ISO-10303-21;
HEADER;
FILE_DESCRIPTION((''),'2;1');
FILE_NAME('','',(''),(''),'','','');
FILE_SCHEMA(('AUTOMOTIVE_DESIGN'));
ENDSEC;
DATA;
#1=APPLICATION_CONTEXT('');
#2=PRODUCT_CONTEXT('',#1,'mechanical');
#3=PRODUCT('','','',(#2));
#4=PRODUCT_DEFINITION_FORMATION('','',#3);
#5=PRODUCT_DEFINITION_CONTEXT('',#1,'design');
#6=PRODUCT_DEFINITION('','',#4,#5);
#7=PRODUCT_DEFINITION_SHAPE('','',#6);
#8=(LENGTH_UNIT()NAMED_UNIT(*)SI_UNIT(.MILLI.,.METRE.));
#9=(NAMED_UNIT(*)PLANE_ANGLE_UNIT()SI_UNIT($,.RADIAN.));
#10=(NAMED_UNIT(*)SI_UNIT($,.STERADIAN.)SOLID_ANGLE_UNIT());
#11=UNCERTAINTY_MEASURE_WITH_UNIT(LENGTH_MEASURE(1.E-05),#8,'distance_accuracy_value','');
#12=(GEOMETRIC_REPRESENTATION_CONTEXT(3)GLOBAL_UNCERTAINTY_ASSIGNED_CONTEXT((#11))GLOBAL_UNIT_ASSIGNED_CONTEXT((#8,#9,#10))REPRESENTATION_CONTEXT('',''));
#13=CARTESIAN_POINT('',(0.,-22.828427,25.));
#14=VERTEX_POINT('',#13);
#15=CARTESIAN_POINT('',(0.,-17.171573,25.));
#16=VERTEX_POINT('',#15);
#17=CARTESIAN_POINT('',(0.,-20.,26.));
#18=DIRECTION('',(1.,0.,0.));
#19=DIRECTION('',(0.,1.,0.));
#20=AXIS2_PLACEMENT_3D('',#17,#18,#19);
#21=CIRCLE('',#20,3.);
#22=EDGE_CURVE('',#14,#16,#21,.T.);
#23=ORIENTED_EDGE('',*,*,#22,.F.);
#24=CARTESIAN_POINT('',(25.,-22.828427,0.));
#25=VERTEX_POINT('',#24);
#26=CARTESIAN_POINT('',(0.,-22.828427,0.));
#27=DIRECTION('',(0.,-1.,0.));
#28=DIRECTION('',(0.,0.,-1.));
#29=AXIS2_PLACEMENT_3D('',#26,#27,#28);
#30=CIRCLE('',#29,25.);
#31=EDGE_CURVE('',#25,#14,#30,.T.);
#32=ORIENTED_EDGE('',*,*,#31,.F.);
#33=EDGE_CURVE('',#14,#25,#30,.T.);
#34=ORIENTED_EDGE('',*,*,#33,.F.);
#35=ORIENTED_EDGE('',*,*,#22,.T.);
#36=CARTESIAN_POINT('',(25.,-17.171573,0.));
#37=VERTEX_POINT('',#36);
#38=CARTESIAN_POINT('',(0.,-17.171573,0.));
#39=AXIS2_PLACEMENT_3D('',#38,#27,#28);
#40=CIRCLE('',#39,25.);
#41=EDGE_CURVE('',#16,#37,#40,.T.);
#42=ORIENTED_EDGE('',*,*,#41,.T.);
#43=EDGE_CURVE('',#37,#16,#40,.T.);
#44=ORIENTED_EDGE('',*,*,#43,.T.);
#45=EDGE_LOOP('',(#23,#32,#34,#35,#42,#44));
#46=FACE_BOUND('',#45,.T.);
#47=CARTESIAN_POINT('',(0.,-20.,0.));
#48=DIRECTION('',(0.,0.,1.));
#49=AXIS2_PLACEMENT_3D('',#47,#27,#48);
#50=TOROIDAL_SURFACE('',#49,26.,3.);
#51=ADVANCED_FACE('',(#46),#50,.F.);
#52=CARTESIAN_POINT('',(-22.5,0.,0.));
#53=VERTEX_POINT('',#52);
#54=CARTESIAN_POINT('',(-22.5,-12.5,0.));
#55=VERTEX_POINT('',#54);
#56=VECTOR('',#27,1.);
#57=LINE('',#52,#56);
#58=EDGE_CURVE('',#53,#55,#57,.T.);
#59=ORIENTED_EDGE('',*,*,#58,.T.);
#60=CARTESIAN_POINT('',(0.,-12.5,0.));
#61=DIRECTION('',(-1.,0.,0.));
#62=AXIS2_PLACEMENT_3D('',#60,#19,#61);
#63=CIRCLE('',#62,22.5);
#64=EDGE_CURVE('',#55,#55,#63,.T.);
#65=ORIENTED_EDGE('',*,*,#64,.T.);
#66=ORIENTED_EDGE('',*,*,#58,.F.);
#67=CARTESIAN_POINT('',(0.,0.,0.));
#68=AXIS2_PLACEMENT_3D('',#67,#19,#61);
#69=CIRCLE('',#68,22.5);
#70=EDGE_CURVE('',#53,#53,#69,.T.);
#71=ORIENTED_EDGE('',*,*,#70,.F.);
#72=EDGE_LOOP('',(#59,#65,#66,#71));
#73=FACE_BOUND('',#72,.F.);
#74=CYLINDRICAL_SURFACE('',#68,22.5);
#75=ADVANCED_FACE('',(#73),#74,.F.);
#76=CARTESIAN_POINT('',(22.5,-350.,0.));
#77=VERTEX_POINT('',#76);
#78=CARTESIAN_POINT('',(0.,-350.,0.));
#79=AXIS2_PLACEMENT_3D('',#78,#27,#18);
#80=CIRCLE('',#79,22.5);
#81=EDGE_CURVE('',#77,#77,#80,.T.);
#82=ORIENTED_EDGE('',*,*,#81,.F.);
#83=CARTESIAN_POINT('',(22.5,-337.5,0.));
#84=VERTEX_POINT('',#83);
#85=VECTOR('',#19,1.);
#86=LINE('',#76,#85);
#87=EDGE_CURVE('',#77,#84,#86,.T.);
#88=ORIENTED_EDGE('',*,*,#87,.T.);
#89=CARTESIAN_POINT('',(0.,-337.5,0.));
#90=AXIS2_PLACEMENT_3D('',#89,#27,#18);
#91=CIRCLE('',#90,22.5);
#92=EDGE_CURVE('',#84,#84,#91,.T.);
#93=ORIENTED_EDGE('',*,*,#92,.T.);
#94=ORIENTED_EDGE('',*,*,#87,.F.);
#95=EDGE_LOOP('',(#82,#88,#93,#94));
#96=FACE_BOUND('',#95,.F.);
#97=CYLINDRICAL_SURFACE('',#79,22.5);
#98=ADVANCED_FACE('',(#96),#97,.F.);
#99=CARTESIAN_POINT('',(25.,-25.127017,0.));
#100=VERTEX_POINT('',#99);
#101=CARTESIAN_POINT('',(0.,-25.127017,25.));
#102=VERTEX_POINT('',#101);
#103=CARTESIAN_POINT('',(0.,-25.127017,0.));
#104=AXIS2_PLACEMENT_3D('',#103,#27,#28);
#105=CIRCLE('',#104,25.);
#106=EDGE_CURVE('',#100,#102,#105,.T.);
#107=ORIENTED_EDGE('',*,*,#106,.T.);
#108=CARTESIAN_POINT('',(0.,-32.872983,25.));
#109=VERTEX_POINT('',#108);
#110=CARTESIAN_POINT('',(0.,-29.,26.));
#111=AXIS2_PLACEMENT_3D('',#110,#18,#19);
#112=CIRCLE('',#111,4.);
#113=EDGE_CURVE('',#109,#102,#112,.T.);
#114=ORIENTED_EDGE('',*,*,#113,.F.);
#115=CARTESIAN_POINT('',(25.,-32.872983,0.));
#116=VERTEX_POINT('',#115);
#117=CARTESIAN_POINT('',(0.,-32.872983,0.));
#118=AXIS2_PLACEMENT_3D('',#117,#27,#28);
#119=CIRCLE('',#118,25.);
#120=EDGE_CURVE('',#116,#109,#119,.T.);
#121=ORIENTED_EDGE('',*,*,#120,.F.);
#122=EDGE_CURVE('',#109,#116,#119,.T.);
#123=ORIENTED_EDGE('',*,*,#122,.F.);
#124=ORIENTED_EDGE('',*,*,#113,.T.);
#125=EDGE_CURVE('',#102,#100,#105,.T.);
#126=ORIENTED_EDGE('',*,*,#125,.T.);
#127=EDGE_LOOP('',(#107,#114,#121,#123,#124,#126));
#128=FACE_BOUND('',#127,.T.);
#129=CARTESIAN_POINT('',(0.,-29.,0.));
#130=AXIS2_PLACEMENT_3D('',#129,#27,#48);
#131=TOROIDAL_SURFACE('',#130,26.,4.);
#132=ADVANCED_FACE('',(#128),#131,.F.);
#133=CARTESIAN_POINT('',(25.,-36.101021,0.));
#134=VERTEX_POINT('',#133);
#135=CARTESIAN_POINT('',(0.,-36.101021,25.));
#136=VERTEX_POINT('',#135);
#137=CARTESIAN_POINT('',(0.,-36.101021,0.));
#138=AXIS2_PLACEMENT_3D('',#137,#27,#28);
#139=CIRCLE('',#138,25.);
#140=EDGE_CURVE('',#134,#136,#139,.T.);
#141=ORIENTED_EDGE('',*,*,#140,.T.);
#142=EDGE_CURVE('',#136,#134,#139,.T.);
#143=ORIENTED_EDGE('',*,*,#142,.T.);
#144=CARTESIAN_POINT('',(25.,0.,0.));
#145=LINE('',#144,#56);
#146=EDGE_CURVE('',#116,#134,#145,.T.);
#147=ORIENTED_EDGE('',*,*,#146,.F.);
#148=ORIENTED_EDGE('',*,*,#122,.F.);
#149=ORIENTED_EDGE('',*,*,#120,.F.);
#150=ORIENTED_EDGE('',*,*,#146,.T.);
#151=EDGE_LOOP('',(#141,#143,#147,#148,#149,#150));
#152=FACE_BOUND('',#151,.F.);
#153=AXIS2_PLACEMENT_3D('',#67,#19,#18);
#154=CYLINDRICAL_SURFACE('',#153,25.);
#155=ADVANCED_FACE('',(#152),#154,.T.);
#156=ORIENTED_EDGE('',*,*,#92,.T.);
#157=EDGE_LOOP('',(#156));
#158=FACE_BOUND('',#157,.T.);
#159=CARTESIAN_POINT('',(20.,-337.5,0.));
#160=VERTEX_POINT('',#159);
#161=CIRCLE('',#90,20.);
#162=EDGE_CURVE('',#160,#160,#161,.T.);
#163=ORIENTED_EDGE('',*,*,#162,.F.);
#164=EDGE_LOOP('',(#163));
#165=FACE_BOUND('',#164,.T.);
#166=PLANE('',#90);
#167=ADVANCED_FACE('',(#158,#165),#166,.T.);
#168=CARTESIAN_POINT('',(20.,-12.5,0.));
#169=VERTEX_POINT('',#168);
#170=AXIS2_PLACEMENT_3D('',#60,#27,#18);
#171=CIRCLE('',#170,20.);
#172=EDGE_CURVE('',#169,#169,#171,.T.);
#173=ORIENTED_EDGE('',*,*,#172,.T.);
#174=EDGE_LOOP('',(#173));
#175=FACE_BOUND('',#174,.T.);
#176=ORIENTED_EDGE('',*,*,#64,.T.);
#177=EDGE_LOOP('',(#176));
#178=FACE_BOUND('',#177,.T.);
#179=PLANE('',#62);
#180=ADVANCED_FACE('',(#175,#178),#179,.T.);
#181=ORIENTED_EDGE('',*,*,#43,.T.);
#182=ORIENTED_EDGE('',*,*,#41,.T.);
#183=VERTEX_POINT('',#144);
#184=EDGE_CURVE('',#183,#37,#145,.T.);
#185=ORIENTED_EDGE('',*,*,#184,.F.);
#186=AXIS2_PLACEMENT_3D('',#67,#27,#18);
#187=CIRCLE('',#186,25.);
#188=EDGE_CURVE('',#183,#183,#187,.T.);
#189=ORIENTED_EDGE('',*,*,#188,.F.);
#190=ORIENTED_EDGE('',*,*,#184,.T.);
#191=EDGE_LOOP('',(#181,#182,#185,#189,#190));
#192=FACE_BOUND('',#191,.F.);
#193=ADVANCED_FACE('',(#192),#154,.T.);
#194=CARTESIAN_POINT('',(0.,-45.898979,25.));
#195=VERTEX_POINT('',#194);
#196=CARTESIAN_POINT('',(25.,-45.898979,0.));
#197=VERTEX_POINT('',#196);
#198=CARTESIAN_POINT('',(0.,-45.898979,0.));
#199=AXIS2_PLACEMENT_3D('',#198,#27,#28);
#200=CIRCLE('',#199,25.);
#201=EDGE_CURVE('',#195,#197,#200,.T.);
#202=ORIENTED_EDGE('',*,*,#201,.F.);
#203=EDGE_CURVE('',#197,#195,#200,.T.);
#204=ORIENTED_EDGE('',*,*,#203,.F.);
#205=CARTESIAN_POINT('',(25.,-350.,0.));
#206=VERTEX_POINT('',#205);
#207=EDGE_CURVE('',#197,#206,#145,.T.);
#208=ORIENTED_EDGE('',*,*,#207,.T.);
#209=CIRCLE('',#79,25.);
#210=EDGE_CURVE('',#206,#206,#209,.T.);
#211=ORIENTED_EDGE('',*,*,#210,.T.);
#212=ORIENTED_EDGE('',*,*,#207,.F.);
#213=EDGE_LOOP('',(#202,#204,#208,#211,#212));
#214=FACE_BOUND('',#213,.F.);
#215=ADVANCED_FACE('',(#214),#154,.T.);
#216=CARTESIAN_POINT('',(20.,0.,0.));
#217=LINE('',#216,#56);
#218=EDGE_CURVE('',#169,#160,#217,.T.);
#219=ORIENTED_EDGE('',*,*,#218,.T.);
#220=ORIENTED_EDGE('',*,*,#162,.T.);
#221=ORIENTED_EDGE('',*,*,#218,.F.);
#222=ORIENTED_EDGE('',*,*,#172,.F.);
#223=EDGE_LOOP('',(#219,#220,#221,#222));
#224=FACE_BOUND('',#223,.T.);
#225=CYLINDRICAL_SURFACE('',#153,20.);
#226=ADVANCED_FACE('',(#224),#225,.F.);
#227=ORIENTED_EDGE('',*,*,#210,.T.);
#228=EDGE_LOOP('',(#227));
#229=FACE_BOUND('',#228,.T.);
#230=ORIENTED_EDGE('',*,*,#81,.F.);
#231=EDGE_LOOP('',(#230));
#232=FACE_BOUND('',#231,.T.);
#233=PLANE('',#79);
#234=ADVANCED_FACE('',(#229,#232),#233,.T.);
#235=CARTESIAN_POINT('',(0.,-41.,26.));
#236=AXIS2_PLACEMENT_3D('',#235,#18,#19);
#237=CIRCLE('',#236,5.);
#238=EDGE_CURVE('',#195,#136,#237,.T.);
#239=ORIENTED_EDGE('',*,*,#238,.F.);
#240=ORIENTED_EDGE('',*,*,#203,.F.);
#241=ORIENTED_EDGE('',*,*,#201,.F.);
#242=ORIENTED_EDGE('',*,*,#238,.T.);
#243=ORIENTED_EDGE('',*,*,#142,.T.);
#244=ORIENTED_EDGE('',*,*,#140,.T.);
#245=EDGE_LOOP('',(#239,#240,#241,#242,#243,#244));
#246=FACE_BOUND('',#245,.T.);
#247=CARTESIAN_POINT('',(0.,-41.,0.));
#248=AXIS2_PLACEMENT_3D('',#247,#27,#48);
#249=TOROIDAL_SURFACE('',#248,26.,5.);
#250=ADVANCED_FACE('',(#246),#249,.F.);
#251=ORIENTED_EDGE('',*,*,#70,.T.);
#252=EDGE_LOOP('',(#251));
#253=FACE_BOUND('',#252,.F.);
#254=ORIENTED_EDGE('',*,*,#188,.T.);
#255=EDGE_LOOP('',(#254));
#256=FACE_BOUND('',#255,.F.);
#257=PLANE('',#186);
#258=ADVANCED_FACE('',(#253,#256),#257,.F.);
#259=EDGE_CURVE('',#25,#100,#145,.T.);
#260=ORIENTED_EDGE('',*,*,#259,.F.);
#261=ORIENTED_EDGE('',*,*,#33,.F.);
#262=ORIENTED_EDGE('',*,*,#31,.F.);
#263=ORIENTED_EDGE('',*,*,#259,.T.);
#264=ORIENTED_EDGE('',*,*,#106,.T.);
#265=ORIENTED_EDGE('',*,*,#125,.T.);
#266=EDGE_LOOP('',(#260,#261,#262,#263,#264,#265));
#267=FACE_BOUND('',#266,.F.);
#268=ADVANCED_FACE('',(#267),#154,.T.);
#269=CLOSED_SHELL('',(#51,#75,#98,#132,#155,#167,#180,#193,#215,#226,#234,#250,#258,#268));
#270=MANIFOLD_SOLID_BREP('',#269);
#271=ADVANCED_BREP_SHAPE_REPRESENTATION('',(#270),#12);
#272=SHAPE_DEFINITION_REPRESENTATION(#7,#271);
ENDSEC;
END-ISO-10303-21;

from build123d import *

# Parameters (mm, degrees)
F0_R     = 25
F0_R_2   = 20
F1_DEPTH = 350
F2_R     = 22.5
F2_R_2   = 20
F3_DEPTH = 12.5
F4_R     = 22.5
F4_R_2   = 20
F5_DEPTH = 12.5
F6_R     = 3
F6_R_2   = 4
F6_R_3   = 5


with BuildPart() as f1:
    # F0 (on Front) → F1 (new body)
    with BuildSketch(Plane.XZ):
        Circle(F0_R)
        Circle(F0_R_2, mode=Mode.SUBTRACT)
    extrude(amount=F1_DEPTH)

    # F2 (on face) → F3 (cut)
    with BuildSketch(Plane.XZ.offset(350)):
        Circle(F2_R)
        Circle(F2_R_2, mode=Mode.SUBTRACT)
    extrude(amount=-F3_DEPTH, mode=Mode.SUBTRACT)

    # F4 (on face) → F5 (cut)
    with BuildSketch(Plane(origin=(0, 0, 0), x_dir=(-1, 0, 0), z_dir=(0, 1, 0))):
        Circle(F4_R)
        Circle(F4_R_2, mode=Mode.SUBTRACT)
    extrude(amount=-F5_DEPTH, mode=Mode.SUBTRACT)

    # F6 (on Right) → F7 (revolve, cut)
    with BuildSketch(Plane.YZ):
        with Locations((-20, 26)):
            Circle(F6_R)
        with Locations((-29, 26)):
            Circle(F6_R_2)
        with Locations((-41, 26)):
            Circle(F6_R_3)
    revolve(axis=Axis((0, 0, 0), (0, 1, 0)), mode=Mode.SUBTRACT)


solid = f1.part
